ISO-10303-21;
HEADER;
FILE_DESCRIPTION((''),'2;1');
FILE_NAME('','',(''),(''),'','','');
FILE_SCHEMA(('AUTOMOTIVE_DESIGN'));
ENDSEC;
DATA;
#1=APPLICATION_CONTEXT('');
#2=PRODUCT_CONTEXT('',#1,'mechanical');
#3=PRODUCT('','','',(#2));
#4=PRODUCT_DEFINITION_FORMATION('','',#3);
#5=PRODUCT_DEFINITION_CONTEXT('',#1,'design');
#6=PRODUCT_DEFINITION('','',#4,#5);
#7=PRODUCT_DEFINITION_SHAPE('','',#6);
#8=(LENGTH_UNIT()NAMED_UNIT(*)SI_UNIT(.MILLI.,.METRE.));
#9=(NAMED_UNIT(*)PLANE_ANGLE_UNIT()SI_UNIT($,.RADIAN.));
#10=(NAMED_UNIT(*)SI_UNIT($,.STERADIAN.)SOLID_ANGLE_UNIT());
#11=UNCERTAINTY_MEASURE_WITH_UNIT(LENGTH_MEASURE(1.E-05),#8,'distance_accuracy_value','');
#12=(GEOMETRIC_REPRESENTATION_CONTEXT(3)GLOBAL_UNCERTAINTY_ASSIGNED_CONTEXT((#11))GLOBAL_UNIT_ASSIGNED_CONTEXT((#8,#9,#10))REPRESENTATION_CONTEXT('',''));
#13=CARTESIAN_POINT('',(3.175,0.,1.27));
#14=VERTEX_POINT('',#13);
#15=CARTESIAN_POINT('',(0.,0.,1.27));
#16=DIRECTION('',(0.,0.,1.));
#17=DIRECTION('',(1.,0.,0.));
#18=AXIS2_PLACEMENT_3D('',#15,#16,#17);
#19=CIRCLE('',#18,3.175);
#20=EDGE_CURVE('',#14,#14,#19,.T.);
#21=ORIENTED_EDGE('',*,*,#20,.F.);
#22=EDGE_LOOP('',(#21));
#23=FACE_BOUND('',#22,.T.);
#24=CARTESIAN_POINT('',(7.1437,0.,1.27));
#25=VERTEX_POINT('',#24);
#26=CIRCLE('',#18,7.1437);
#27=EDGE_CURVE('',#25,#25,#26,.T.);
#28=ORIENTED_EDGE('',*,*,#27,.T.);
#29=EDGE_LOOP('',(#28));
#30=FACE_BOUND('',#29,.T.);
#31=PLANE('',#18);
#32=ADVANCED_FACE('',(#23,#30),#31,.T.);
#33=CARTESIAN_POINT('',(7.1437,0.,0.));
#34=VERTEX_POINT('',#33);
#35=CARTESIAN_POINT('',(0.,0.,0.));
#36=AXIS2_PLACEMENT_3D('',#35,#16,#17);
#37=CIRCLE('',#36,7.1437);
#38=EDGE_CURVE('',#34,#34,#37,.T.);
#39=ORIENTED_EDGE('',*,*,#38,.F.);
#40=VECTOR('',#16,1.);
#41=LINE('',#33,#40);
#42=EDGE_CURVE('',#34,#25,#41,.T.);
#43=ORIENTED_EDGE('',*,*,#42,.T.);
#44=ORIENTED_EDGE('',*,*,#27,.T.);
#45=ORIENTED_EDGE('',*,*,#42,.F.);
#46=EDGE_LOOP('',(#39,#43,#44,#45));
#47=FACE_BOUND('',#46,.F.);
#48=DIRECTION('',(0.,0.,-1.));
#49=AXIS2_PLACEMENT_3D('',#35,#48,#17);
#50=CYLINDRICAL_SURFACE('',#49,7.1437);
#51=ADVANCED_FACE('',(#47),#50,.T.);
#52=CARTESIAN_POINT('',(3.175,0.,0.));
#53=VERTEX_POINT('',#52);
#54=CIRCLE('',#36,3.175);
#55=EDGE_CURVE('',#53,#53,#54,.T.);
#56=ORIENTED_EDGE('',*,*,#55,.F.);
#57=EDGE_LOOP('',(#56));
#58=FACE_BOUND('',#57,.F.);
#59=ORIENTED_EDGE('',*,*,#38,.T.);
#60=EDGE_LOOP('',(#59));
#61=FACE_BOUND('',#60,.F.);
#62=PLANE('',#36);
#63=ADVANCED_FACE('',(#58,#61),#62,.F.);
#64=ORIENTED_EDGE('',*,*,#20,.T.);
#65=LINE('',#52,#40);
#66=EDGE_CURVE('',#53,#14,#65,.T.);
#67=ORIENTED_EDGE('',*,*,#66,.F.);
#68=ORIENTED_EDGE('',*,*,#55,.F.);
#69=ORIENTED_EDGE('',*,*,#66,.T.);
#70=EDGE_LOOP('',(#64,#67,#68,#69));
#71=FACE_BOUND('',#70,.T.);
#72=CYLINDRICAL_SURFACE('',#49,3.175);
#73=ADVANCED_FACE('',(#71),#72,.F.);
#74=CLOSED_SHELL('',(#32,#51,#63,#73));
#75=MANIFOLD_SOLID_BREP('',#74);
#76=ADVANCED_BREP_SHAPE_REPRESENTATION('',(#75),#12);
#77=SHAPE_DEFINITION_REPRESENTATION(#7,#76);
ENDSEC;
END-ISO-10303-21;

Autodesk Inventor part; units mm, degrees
ref_plane "YZ Plane" through (0, 0, 0) normal (1, 0, 0) x (0, 1, 0)
ref_plane "XZ Plane" through (0, 0, 0) normal (0, 1, 0) x (-1, 0, 0)
ref_plane "XY Plane" through (0, 0, 0) normal (0, 0, 1) x (1, 0, 0)
sketch "Sketch1" plane through (0, 0, 0) normal (0, 0, 1) x (1, 0, 0)
  circle A0 centre (0, 0) radius 3.175
  circle A1 centre (0, 0) radius 7.1437
  dimension "d0" = 6.35
  dimension "d1" = 14.2875
extrude "Extrusion1" add sketch "Sketch1" along normal blind 1.27
properties part number "Washer 50 thou .250 Bore"
